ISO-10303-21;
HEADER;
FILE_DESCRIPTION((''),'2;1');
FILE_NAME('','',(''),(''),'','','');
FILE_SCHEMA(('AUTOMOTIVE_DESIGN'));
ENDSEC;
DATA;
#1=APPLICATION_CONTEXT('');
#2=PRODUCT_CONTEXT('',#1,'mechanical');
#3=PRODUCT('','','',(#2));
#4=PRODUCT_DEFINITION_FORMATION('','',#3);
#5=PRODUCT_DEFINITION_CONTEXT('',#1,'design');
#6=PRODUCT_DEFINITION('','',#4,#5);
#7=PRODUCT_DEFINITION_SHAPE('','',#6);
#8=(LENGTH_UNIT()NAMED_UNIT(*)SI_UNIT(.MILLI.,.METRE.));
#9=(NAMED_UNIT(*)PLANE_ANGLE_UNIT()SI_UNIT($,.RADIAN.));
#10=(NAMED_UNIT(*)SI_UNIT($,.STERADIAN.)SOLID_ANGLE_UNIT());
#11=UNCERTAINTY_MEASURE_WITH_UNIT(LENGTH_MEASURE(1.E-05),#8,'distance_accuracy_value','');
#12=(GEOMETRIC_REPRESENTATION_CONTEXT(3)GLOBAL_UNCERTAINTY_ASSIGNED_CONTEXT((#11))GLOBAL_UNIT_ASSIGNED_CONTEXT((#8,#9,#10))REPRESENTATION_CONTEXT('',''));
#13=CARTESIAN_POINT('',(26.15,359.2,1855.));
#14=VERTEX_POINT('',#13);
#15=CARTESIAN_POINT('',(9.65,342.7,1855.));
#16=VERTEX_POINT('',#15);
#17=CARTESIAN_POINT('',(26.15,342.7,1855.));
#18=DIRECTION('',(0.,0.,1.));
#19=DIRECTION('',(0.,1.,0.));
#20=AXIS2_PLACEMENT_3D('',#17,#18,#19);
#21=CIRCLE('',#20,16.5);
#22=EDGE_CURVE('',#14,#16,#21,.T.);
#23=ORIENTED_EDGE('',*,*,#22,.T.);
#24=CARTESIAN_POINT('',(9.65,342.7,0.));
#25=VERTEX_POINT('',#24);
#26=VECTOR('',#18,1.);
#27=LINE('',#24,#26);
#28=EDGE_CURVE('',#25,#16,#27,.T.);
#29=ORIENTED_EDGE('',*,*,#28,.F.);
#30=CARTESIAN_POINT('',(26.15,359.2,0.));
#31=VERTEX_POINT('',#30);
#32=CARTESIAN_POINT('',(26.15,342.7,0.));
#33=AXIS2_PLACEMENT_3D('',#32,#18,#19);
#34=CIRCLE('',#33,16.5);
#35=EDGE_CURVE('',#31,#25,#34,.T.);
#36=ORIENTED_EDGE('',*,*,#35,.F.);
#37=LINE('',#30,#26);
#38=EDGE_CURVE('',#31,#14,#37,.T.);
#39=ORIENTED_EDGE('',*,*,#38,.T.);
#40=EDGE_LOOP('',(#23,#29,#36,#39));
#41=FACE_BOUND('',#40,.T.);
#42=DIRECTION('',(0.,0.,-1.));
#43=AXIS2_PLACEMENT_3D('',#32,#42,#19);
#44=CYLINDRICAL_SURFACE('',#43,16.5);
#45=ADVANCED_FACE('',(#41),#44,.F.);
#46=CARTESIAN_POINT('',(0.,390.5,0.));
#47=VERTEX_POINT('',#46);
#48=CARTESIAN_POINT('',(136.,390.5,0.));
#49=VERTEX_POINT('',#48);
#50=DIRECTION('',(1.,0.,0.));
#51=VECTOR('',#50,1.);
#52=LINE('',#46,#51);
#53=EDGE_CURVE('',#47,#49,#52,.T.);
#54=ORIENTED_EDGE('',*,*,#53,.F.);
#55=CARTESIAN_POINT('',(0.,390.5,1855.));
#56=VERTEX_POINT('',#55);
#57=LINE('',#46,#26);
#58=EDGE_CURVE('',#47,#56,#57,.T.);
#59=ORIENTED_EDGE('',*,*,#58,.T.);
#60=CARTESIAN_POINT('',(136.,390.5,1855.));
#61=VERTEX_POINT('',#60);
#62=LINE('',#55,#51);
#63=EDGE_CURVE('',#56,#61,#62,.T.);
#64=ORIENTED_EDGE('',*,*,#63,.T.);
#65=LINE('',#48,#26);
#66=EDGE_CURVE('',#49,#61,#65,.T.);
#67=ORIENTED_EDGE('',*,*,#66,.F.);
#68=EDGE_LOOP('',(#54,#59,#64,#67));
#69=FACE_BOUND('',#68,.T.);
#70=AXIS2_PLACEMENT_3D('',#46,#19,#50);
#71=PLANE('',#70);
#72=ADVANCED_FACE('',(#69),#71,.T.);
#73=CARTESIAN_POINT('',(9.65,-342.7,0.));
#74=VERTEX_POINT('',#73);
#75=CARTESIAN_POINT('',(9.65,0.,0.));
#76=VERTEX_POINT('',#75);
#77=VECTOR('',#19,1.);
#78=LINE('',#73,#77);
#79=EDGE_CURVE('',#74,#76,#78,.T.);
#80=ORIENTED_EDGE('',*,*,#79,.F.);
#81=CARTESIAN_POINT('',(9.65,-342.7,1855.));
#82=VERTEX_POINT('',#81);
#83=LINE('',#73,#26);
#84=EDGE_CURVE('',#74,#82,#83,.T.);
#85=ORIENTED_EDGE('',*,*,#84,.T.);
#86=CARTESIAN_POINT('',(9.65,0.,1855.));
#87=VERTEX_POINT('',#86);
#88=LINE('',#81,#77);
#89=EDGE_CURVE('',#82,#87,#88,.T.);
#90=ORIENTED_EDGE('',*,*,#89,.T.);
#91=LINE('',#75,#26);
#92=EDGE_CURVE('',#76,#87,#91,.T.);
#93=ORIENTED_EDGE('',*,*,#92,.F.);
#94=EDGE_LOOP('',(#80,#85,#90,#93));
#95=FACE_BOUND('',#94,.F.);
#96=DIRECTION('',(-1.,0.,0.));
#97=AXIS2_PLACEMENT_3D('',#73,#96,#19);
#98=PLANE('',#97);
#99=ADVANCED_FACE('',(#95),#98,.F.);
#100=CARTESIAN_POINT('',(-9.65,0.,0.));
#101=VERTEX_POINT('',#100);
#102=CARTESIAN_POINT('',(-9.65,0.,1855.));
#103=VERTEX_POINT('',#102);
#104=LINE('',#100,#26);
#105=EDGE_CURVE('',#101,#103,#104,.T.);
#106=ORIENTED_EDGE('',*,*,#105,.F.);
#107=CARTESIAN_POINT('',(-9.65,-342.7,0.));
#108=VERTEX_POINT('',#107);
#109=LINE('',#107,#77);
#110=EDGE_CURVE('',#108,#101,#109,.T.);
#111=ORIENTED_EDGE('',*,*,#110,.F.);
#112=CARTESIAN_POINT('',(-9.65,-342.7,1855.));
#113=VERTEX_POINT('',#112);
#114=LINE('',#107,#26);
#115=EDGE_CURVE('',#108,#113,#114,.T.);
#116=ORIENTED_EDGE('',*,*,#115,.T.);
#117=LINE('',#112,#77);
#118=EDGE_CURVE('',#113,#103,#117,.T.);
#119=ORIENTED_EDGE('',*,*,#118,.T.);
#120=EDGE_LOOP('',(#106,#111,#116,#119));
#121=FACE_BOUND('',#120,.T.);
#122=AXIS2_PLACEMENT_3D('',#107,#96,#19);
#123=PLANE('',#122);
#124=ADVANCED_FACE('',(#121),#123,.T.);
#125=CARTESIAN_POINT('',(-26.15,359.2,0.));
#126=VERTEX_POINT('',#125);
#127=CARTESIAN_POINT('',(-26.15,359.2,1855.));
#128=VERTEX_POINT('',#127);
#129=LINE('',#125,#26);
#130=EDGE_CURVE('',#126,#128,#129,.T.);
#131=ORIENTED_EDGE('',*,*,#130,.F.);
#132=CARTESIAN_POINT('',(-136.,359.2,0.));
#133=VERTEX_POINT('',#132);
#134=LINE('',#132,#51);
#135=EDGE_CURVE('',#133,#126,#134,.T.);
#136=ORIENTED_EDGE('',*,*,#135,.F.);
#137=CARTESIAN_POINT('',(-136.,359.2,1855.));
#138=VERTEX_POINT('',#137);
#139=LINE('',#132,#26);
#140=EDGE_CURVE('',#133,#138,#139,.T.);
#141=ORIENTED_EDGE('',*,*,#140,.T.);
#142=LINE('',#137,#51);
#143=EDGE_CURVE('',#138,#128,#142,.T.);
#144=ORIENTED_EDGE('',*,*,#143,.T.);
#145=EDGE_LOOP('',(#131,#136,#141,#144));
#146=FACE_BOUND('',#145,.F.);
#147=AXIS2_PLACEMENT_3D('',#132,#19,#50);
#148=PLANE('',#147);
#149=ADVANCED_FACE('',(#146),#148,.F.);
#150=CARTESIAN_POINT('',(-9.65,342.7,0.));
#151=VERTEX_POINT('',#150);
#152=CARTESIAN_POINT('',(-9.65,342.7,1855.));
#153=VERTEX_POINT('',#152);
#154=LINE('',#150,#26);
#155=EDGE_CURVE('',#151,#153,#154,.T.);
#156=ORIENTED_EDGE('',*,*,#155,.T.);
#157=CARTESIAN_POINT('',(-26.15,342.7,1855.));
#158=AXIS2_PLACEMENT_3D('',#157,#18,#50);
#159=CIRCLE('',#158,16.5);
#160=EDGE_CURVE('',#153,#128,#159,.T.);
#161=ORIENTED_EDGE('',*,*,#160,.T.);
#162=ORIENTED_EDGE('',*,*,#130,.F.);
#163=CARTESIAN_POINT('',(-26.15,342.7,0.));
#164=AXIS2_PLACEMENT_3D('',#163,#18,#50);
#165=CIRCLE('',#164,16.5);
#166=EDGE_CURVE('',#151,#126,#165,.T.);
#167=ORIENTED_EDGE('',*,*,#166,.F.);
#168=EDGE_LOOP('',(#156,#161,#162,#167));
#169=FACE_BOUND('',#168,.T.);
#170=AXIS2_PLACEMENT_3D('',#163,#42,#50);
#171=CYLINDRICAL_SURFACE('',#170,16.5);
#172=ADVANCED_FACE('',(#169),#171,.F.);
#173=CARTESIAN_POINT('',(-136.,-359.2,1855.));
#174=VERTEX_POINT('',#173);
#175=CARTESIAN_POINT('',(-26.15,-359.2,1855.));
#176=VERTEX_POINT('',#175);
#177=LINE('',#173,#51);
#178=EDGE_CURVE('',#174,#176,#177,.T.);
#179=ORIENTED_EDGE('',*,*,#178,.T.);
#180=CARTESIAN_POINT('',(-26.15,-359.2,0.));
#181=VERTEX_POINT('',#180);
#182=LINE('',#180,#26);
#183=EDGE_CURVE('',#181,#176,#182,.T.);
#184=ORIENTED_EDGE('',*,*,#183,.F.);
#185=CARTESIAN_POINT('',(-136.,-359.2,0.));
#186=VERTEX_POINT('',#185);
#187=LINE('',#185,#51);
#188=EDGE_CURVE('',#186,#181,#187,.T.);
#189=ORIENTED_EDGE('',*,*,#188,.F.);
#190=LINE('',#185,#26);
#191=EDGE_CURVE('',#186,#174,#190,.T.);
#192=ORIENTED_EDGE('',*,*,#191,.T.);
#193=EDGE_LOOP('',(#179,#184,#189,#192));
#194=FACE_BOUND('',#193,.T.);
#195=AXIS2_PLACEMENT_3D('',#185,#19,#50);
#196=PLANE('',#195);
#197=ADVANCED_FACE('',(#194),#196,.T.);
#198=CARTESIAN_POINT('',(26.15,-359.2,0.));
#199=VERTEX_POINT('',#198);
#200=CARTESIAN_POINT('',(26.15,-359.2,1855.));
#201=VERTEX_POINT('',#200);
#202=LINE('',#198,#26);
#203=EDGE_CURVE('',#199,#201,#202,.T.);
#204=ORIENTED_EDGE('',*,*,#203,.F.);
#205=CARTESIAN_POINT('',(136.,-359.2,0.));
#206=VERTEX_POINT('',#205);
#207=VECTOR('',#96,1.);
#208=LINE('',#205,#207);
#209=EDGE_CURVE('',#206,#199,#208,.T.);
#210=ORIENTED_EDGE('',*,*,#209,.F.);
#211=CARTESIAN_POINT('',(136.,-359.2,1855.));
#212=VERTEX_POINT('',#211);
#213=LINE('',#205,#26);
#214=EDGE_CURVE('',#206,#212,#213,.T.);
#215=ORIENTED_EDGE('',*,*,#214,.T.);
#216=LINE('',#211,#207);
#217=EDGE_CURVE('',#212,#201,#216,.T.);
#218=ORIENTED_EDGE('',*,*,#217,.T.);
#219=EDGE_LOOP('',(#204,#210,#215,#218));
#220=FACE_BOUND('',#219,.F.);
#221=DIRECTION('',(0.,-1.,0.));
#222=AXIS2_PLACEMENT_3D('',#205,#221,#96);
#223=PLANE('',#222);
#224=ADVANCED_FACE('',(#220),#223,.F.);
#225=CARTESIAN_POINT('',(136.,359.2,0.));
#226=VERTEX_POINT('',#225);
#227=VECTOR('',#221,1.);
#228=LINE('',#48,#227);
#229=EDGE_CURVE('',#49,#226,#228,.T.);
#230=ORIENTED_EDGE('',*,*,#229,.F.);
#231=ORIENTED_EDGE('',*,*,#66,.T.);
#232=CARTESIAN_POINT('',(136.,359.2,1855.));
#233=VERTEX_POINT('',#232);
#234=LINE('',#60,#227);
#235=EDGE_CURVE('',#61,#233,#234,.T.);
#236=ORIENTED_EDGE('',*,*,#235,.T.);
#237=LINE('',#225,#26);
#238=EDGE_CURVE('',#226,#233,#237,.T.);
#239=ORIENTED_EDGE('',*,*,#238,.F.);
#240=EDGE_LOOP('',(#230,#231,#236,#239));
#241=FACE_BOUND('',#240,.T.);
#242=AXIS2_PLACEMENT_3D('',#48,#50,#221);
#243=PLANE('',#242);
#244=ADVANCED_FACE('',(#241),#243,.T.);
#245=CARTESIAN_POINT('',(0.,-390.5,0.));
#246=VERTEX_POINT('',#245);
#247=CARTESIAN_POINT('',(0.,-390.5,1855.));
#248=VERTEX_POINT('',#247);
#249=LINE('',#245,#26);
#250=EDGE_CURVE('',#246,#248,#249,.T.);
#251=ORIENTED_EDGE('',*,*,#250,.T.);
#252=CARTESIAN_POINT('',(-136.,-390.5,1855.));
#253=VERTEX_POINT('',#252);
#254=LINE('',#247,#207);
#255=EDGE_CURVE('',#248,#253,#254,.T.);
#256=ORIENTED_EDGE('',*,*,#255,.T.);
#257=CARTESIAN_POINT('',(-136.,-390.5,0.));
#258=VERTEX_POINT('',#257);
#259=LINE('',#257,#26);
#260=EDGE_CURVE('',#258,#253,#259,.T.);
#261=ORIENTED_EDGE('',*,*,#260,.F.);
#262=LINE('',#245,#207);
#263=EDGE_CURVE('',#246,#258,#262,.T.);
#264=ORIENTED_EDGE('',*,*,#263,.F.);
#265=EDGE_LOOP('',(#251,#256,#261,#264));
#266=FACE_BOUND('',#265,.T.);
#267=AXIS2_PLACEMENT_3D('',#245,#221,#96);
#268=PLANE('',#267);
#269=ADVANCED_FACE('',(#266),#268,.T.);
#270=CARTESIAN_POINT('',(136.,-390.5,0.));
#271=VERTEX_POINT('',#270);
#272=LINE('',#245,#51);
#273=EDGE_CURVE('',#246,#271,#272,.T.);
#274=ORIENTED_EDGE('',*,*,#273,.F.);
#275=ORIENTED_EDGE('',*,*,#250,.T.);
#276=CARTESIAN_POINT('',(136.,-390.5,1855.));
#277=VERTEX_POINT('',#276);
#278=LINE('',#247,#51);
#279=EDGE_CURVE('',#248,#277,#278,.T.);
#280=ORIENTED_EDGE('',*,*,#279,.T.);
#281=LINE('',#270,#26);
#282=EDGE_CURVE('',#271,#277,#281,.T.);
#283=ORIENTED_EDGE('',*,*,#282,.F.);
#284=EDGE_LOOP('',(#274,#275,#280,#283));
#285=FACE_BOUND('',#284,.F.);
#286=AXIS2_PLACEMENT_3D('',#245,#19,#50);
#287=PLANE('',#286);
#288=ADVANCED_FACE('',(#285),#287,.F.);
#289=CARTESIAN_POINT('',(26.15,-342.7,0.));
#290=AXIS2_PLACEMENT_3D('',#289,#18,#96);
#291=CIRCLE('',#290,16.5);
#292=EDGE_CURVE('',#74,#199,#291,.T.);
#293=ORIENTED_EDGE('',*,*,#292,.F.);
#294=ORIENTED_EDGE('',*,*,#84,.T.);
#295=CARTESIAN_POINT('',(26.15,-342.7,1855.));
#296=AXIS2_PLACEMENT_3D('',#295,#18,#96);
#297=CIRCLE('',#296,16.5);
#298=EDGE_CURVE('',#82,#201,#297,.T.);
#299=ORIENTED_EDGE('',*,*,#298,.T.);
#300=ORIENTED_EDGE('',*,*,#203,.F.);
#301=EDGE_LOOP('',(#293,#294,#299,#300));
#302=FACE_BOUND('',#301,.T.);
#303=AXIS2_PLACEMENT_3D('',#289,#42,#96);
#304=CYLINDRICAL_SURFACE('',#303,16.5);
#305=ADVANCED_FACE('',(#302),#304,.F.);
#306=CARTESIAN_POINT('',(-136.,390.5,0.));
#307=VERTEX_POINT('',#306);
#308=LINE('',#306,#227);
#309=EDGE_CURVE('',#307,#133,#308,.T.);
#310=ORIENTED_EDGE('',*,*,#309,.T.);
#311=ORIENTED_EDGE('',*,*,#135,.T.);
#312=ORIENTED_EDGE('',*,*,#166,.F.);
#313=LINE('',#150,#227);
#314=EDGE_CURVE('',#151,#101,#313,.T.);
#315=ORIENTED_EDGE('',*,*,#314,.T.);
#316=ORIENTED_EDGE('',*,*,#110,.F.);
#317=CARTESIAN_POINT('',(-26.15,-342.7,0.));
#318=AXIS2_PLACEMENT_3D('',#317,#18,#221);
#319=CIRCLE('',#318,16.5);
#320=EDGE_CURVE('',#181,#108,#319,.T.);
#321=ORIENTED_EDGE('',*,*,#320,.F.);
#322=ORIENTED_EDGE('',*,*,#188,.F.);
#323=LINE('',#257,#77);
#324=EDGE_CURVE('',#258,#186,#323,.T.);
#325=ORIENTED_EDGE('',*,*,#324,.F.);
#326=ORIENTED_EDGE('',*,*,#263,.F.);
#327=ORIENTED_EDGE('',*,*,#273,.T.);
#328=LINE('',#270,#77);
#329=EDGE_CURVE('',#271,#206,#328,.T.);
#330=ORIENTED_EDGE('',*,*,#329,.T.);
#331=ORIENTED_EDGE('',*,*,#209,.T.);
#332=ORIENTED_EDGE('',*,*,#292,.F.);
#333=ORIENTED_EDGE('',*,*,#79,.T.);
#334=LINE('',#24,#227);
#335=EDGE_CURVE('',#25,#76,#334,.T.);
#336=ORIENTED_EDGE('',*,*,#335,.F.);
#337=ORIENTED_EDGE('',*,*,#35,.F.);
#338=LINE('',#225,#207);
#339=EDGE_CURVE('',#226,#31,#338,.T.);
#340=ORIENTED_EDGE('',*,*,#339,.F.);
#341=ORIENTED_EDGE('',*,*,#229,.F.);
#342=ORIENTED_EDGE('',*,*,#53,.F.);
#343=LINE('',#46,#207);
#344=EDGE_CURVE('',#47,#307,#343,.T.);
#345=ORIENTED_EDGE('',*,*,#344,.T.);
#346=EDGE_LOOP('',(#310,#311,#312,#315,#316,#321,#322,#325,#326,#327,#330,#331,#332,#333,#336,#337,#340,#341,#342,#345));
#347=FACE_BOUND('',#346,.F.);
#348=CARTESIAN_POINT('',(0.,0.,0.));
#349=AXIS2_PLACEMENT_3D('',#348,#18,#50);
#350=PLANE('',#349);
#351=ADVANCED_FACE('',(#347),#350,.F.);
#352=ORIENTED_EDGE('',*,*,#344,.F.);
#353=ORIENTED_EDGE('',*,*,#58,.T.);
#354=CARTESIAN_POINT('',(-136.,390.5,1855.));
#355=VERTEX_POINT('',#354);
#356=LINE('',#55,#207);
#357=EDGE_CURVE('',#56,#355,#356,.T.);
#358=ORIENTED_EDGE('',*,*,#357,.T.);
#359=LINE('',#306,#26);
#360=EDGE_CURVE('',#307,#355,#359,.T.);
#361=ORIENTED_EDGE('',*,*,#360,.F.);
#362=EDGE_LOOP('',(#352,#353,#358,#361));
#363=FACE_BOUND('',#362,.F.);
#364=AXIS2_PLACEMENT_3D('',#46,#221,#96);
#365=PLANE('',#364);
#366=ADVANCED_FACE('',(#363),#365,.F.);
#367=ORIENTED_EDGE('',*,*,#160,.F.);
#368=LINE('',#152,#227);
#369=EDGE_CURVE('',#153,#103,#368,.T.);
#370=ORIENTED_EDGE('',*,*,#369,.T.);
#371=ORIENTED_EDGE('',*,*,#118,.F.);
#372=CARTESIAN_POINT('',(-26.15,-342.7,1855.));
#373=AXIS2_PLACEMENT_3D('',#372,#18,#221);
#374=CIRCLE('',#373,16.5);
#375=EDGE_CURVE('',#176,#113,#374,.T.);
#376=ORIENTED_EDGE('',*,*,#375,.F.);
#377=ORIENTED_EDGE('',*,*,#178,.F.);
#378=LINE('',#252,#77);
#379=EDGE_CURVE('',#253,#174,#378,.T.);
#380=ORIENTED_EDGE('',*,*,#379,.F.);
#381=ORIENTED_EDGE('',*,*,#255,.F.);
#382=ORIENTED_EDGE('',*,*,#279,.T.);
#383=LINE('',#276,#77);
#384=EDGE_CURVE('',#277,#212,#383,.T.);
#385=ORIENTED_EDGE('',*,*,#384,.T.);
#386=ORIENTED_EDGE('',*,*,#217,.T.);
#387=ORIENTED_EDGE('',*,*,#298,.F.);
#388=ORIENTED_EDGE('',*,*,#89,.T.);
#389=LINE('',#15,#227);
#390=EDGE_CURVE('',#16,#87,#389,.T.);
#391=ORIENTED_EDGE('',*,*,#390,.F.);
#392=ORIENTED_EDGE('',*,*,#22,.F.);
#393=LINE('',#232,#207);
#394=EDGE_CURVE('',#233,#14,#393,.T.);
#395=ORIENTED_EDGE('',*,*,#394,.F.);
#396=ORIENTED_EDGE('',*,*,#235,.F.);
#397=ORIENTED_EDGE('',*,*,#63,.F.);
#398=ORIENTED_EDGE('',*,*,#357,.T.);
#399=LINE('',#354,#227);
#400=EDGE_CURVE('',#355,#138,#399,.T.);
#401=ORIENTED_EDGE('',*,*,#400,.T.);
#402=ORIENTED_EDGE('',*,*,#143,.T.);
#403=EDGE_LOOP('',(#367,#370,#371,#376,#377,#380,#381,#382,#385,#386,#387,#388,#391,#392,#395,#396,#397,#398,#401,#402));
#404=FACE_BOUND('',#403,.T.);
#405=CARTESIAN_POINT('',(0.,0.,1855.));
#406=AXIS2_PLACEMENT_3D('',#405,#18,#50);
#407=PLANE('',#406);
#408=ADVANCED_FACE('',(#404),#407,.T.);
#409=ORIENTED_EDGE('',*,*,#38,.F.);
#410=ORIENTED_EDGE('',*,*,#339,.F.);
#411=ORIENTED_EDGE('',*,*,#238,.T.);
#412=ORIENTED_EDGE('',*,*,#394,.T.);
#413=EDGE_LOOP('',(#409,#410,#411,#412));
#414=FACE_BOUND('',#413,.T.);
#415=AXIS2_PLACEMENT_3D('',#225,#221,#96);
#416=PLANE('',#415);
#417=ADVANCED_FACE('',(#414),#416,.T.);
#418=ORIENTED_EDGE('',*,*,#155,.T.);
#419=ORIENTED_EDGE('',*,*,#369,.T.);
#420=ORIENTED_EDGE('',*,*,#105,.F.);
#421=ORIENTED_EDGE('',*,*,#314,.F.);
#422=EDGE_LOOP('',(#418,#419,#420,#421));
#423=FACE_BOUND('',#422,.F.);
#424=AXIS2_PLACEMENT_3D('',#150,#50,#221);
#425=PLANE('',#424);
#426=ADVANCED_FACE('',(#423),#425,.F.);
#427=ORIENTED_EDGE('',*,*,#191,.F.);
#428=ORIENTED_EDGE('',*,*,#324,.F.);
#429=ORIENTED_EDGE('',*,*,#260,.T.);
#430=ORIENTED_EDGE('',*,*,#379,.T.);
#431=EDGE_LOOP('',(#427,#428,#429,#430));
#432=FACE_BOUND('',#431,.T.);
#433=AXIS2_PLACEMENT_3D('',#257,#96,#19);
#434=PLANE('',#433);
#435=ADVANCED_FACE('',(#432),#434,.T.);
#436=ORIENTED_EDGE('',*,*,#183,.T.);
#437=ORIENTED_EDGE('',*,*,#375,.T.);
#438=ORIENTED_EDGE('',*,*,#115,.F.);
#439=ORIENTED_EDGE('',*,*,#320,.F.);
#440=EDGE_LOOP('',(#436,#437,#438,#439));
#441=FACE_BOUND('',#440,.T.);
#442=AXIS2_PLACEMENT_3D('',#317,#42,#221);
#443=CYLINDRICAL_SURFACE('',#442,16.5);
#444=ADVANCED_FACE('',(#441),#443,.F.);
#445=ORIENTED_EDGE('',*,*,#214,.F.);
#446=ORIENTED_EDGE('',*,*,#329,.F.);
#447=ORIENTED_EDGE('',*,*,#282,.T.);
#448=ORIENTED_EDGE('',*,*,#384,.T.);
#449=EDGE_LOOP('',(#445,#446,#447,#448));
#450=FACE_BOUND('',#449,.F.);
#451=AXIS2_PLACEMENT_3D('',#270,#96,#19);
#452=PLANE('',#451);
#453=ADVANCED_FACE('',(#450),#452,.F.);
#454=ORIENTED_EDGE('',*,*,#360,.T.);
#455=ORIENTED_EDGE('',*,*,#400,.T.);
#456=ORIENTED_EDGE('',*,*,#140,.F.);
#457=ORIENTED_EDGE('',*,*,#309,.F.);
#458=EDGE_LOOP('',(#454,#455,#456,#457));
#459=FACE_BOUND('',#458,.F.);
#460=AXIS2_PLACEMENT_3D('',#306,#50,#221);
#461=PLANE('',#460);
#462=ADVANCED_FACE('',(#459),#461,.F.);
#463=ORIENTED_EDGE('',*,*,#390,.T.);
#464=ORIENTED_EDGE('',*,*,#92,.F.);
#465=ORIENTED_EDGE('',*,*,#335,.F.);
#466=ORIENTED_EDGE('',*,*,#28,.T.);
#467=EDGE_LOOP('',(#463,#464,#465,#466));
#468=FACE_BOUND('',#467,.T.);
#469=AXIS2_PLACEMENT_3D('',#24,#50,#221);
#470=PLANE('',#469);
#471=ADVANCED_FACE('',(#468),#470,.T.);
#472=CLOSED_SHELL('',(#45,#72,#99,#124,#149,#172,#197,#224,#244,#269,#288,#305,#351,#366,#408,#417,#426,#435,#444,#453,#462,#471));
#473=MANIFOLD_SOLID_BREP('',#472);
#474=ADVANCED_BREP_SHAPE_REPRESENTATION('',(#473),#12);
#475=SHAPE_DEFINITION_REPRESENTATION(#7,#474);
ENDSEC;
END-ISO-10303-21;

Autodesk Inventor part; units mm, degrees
ref_plane "YZ Plane" through (0, 0, 0) normal (1, 0, 0) x (0, 1, 0)
ref_plane "Start plane" through (0, 0, 0) normal (0, 0, 1) x (1, 0, 0)
ref_plane "End plane" through (0, 0, 1855) normal (0, 0, 1) x (1, 0, 0)
sketch "Sketch" plane through (0, 0, 0) normal (0, 0, 1) x (1, 0, 0)
  line L0 (-136, -390.5) -> (-136, -359.2)
  line L1 (-136, -359.2) -> (-26.15, -359.2)
  line L2 (-9.65, -342.7) -> (-9.65, 0)
  line L3 (-9.65, 0) -> (0, 0) construction
  line L4 (0, 0) -> (0, -390.5) construction
  line L5 (0, -390.5) -> (-136, -390.5)
  line L6 (-60, 0) -> (80, 0) construction
  line L7 (0, -60) -> (0, 80) construction
  line L8 (136, -390.5) -> (136, -359.2)
  line L9 (136, -359.2) -> (26.15, -359.2)
  line L10 (9.65, -342.7) -> (9.65, 0)
  line L11 (9.65, 0) -> (0, 0) construction
  line L12 (0, -390.5) -> (136, -390.5)
  line L13 (-136, 390.5) -> (-136, 359.2)
  line L14 (-136, 359.2) -> (-26.15, 359.2)
  line L15 (-9.65, 342.7) -> (-9.65, 0)
  line L16 (0, 390.5) -> (-136, 390.5)
  line L17 (136, 390.5) -> (136, 359.2)
  line L18 (136, 359.2) -> (26.15, 359.2)
  line L19 (0, 390.5) -> (136, 390.5)
  line L20 (9.65, 342.7) -> (9.65, 0)
  arc A0 (-9.65, 342.7) -> (-26.15, 359.2) centre (-26.15, 342.7) ccw
  arc A1 (26.15, 359.2) -> (9.65, 342.7) centre (26.15, 342.7) ccw
  arc A2 (9.65, -342.7) -> (26.15, -359.2) centre (26.15, -342.7) ccw
  arc A3 (-26.15, -359.2) -> (-9.65, -342.7) centre (-26.15, -342.7) ccw
  line L21 (0, 108) -> (0, -88) construction
  line L22 (-88, 0) -> (108, 0) construction
  point P0 (-9.65, -359.2)
  point P1 (9.65, -359.2)
  point P2 (-9.65, 359.2)
  point P3 (9.65, 359.2)
  dimension "d1" = 390.5
  dimension "d2" = 31.3
  dimension "d3" = 136
  dimension "d4" = 9.65
  dimension "d10" = 16.5
extrude "Body" add sketch "Sketch" along normal up to surface (1855 mm away) from surface at 0
sketch "Sketch4" plane through (0, 0, 0) normal (0, 0, 1) x (1, 0, 0)
  line L0 (0, 0) -> (10, 0)
ref_plane "Work Plane3" through (0, 0, 0) normal (0, -1, 0) x (1, 0, 0)
sketch "Sketch5" plane through (0, 0, 0) normal (0, -1, 0) x (1, 0, 0)
  line L0 (-2, 0) -> (12, 0) projected
  line L1 (-2, 1855) -> (12, 1855) projected
  dimension "d14" = 1855
equation "\"d1\" = 0.5 * G_H"
equation "\"d2\" = G_T1"
equation "\"d3\" = 0.5 * G_W"
equation "\"d4\" = 0.5 * G_T"
equation "\"d10\" = G_IR"
equation "\"d5\" = G_L"
equation "\"G_W\" = 272"
equation "\"G_H\" = 781"
equation "\"G_T\" = 19.3"
equation "\"G_T1\" = 31.3"
equation "\"G_IR\" = 16.5"
equation "\"G_L\" = d14"
equation "\"G_OFFSET_START\" = 0"
equation "\"G_OFFSET_END\" = 0"
equation "\"d12\" = G_OFFSET_END + B_L"
equation "\"B_L\" = 1855"
properties part number "AS 3679-1990 - 760 UB - 244 - 1855" material "Steel, Mild"
